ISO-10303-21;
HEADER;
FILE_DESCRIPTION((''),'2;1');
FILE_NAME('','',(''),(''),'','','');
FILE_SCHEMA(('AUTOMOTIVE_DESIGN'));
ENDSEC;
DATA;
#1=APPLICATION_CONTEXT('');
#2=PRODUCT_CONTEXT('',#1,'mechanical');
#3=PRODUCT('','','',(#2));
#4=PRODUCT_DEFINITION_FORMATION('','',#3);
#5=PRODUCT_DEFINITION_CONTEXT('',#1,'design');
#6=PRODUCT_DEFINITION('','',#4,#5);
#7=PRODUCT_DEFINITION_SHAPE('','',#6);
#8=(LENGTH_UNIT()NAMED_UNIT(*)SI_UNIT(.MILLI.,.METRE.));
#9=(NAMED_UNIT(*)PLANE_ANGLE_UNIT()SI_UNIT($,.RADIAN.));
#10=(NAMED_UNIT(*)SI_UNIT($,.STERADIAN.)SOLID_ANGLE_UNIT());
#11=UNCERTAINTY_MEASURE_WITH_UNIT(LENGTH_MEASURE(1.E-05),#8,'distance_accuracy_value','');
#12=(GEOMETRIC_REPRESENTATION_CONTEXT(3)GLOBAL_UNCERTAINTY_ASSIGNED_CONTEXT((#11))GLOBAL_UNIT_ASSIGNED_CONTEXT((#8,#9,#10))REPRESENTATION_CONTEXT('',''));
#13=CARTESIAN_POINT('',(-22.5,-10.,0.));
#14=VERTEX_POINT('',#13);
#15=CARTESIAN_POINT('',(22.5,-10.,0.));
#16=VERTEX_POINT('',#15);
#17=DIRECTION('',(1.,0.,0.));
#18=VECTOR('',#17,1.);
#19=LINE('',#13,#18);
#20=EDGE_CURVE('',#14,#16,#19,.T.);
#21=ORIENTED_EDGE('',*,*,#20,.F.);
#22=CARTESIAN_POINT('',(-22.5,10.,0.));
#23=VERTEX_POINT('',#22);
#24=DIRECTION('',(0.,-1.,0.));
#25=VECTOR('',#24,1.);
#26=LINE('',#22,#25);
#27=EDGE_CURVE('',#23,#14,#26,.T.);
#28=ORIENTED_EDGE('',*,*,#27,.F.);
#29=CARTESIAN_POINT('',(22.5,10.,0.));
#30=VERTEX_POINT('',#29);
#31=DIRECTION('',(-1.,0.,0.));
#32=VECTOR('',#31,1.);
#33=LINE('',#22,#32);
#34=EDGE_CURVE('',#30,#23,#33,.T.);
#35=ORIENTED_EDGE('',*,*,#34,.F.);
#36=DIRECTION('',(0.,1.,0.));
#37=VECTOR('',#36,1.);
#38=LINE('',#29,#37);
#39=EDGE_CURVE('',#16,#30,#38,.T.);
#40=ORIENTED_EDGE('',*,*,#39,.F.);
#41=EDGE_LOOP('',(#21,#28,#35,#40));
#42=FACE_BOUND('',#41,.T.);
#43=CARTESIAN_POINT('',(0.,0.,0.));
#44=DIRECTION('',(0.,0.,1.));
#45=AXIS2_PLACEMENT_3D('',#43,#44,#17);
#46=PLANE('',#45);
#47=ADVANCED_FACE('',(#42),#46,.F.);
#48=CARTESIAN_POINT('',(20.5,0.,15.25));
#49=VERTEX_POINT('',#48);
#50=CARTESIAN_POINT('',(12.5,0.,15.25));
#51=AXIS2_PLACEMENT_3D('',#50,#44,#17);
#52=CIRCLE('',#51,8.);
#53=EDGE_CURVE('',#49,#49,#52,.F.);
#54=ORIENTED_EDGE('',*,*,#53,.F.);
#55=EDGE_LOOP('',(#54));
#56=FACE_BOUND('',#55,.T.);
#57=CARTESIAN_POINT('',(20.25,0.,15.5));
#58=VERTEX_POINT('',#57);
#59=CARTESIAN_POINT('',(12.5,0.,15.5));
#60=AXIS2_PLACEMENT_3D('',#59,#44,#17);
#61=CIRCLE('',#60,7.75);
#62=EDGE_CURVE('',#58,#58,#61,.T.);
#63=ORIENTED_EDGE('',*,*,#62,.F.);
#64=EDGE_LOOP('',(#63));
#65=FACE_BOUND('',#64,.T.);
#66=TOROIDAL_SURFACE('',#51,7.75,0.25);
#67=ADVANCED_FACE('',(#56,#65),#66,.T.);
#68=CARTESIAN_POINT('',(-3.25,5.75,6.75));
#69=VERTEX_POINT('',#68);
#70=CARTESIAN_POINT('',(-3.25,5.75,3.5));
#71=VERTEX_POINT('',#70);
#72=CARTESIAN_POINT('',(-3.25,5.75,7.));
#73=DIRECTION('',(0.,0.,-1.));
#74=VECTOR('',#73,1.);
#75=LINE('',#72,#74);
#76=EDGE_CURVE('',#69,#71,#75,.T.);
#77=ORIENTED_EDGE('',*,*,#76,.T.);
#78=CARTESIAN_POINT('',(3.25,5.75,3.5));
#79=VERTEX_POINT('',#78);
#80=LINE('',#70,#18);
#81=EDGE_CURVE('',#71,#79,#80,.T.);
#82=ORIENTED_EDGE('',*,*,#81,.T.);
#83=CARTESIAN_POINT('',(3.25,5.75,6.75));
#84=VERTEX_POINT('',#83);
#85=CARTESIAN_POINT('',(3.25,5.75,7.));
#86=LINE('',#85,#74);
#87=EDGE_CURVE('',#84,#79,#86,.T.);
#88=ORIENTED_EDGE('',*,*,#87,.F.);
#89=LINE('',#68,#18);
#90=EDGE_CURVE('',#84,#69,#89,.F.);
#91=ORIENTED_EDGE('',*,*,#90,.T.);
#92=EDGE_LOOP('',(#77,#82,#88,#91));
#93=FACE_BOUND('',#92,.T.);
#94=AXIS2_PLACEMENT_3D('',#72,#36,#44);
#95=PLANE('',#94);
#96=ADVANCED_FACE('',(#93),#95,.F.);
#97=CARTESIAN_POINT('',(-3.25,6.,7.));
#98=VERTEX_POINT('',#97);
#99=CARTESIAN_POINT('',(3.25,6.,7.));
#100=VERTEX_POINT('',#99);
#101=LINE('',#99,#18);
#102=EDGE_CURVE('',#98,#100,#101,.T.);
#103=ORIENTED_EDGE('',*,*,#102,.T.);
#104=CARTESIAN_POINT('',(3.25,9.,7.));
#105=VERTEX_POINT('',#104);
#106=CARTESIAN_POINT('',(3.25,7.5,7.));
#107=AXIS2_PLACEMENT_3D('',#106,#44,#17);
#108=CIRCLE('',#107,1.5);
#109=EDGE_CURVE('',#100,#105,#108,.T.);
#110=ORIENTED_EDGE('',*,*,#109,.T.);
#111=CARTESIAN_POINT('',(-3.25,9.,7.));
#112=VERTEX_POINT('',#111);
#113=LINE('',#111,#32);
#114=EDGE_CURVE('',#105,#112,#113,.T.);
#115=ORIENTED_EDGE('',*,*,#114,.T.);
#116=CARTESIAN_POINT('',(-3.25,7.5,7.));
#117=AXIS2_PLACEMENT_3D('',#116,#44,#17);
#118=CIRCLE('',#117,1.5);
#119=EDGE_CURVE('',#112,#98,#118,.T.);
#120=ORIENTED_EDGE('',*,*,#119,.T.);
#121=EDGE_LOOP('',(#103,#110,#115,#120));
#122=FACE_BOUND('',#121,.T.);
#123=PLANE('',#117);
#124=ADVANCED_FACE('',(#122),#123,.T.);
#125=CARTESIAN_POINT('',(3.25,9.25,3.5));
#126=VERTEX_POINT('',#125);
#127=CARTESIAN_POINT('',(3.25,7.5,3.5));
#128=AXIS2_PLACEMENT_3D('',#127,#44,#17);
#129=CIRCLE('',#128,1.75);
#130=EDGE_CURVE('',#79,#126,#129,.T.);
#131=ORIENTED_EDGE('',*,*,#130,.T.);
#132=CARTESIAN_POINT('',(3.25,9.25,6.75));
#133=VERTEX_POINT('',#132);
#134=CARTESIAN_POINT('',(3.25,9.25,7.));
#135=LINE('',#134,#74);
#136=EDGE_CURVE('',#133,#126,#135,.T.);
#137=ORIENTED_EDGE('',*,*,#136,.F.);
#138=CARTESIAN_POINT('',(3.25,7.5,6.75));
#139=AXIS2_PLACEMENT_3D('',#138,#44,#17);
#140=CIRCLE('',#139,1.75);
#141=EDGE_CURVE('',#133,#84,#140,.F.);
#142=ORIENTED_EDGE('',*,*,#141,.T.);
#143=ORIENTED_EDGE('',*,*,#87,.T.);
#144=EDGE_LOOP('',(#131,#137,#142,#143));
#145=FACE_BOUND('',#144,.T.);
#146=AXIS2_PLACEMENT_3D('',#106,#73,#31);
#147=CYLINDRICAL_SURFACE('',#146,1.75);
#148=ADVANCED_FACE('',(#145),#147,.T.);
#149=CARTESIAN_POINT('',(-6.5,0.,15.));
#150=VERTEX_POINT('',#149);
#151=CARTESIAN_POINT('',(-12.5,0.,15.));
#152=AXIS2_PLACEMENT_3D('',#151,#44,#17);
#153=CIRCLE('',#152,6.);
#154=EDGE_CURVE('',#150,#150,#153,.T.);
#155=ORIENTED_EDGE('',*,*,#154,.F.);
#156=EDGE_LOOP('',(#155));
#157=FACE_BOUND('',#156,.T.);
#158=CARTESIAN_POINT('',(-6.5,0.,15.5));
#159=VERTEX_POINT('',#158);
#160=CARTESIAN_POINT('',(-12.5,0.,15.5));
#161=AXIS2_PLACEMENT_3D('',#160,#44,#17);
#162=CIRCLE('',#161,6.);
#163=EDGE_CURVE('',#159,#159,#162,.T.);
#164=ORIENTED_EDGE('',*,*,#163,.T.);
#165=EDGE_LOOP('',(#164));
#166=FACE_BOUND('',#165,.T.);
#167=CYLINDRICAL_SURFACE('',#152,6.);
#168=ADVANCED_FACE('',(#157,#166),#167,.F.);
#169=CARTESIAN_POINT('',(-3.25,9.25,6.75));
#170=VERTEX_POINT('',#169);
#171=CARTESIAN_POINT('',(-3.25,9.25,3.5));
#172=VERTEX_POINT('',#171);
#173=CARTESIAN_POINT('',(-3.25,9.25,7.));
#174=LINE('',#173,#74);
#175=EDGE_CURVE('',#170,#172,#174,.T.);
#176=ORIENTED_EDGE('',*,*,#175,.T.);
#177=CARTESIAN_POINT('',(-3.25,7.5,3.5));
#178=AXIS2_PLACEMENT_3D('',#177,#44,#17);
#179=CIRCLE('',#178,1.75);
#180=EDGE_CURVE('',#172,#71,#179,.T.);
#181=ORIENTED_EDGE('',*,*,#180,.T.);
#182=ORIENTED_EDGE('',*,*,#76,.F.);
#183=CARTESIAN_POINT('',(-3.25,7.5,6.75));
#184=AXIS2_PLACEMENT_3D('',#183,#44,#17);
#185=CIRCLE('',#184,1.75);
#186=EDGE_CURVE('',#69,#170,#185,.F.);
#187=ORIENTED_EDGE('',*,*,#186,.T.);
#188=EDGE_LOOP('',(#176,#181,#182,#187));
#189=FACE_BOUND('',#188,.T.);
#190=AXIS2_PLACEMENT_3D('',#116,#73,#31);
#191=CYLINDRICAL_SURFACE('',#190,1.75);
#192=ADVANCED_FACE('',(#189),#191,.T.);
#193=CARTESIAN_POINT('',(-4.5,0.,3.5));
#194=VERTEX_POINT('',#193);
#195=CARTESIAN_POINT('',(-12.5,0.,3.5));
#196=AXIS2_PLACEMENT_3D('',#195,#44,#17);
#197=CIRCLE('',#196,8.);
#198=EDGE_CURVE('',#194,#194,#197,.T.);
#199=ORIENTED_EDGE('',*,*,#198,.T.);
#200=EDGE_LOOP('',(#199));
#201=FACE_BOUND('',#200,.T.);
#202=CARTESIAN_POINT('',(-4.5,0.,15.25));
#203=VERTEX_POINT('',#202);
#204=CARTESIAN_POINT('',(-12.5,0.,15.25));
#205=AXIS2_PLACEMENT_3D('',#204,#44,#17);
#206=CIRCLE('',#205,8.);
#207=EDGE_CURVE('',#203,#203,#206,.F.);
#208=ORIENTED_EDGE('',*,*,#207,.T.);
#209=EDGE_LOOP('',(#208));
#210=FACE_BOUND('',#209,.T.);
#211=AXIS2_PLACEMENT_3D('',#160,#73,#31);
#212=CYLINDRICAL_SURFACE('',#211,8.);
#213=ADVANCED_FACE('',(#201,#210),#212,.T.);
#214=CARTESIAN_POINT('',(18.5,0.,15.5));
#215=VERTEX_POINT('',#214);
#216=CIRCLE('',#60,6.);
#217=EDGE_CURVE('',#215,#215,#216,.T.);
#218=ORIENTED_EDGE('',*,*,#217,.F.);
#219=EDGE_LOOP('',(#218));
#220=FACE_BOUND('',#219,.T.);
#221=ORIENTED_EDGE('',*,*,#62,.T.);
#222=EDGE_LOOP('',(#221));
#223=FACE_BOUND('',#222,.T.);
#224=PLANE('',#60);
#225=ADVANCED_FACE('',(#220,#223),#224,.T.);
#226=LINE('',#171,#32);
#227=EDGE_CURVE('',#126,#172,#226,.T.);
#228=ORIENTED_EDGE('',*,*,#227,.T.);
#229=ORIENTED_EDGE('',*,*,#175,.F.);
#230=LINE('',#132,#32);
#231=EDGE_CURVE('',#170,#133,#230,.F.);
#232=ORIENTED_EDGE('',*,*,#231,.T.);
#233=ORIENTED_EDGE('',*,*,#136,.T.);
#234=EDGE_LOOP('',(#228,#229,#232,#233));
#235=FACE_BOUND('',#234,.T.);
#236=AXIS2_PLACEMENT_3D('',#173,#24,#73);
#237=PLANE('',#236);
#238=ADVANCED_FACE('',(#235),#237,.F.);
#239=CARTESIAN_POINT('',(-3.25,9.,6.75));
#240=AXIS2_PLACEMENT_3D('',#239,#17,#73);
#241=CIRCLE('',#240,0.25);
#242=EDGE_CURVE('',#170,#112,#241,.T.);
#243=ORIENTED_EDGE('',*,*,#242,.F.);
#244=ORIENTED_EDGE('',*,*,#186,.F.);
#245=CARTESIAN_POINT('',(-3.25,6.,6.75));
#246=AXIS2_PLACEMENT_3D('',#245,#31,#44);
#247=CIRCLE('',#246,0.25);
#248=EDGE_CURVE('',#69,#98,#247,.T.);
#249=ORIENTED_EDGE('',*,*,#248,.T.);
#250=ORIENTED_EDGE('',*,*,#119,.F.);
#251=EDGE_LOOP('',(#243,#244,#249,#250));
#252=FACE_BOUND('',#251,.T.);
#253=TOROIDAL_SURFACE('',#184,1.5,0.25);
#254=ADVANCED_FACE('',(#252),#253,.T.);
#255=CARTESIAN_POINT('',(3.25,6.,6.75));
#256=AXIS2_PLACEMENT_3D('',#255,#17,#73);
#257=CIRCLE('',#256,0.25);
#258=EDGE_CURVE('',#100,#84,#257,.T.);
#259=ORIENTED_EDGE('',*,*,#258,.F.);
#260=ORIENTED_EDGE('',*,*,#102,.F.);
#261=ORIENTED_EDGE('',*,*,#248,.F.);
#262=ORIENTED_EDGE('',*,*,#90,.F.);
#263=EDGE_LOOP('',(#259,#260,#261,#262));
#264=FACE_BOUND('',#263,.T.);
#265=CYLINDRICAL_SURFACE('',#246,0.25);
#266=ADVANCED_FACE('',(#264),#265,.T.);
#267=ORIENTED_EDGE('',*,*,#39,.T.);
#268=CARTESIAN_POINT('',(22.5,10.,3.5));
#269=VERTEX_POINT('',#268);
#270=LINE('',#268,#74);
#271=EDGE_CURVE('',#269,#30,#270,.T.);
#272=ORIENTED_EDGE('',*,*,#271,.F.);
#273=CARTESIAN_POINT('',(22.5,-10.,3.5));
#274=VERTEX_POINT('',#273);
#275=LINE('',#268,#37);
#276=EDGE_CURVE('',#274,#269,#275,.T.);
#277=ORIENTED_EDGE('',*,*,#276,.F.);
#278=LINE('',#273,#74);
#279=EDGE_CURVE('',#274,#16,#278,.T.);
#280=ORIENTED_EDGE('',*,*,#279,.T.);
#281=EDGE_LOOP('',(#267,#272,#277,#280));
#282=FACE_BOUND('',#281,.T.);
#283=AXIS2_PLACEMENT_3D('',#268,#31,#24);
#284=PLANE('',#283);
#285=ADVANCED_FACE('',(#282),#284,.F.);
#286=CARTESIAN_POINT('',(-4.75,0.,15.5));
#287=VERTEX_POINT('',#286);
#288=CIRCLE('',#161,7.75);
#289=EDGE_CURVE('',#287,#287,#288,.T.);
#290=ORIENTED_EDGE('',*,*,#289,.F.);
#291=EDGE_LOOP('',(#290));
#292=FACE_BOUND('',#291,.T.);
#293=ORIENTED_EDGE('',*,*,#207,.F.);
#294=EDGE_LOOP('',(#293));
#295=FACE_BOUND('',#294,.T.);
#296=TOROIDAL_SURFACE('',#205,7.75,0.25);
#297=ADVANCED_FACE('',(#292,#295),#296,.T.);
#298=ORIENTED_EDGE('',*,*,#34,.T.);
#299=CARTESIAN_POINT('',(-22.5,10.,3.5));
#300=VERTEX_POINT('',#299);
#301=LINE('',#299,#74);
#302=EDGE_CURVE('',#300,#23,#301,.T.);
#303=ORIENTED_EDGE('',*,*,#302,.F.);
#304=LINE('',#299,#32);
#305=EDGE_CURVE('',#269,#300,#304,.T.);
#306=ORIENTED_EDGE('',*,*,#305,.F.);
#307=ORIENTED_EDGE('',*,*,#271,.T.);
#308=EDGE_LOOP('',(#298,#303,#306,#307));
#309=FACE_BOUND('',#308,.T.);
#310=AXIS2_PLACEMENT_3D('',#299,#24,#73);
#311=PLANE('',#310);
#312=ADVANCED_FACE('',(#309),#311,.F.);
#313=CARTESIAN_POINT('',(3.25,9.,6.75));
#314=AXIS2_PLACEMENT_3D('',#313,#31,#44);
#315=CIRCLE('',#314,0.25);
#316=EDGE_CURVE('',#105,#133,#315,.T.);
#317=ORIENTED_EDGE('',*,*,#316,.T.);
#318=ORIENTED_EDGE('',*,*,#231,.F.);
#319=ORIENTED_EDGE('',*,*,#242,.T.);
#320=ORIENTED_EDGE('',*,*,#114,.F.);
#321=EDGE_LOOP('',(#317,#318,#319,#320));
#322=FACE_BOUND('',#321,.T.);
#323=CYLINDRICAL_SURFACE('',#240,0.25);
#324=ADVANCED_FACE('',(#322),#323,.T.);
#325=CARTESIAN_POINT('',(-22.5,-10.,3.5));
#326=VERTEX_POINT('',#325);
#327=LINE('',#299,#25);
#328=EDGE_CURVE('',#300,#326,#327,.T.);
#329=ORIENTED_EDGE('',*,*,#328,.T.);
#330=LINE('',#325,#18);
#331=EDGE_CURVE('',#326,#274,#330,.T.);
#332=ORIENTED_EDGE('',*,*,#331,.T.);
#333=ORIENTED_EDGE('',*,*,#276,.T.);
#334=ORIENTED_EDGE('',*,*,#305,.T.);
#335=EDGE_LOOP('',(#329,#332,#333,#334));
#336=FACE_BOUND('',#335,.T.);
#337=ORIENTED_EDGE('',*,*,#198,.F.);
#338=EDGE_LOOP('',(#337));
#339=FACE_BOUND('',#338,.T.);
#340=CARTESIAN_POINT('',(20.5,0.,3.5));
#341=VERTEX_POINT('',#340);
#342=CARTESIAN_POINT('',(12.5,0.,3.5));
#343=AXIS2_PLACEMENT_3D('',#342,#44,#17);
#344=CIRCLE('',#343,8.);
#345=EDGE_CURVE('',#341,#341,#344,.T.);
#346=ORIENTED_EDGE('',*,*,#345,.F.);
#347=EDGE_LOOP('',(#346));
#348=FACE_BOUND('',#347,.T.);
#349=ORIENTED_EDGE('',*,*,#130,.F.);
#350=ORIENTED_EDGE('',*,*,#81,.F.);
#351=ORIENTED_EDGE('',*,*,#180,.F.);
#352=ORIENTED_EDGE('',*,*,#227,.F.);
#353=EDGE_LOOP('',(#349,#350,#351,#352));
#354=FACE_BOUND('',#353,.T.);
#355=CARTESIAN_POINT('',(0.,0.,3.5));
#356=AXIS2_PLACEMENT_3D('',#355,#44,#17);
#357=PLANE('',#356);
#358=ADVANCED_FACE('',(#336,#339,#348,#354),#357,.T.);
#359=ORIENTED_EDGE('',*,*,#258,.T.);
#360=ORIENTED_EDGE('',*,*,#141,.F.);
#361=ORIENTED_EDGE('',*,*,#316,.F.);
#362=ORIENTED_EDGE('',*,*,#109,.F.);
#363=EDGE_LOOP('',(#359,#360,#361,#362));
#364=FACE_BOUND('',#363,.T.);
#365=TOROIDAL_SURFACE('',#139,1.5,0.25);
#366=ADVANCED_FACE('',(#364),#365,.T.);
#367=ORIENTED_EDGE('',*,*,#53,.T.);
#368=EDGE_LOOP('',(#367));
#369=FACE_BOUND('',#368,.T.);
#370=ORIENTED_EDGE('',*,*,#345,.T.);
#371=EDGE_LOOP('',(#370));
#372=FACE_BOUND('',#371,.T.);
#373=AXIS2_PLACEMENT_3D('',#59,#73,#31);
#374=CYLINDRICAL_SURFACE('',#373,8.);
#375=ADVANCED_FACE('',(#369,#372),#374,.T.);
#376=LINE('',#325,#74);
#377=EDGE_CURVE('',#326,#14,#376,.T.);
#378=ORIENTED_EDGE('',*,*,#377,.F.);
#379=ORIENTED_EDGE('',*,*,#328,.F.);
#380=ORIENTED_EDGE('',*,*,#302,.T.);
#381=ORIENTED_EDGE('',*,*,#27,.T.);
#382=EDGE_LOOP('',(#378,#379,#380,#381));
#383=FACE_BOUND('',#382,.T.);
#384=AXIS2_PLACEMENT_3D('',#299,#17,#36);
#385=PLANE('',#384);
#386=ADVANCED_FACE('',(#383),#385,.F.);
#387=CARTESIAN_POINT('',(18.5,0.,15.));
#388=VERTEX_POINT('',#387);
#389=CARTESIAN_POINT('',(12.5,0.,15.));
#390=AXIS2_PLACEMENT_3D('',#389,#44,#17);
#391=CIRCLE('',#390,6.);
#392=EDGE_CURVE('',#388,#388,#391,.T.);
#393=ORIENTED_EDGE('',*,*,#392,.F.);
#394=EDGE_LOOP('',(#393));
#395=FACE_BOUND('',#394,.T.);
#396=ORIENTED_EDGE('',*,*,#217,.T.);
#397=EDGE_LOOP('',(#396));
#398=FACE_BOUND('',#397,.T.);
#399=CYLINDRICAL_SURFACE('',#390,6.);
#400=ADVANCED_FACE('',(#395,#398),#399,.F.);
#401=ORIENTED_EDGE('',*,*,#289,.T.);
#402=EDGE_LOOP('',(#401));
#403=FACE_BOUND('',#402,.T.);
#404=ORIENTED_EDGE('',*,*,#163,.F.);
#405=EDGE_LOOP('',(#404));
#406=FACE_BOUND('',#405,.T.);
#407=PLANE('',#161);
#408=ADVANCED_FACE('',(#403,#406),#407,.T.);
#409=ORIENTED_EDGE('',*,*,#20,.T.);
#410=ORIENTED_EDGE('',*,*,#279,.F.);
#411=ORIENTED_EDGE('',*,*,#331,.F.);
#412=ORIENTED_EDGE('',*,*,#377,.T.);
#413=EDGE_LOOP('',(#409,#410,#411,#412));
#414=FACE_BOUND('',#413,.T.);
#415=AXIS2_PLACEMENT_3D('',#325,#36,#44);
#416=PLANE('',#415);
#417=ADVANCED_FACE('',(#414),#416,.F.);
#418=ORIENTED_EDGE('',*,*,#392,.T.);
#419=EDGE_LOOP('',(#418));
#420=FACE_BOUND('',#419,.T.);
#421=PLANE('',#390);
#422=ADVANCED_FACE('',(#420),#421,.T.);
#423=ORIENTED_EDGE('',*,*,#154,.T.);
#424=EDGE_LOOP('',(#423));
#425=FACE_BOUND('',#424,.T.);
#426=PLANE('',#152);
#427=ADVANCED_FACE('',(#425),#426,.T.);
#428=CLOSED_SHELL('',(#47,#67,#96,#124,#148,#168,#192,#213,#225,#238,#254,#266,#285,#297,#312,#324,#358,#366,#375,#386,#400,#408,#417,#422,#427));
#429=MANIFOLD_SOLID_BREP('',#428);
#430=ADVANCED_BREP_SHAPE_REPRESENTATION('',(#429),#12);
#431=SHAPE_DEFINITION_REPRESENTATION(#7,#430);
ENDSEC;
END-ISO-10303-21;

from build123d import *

# Parameters (mm, degrees)
SKETCH1_W           = 45
SKETCH1_H           = 20
BOSS_EXTRUDE1_DEPTH = 3.5
SKETCH2_R           = 8
BOSS_EXTRUDE2_DEPTH = 12
SKETCH3_R           = 6
CUT_EXTRUDE1_DEPTH  = 0.5
FILLET1_R           = 0.25
BOSS_EXTRUDE3_DEPTH = 3.5
FILLET2_R           = 0.25


with BuildPart() as part:
    # Sketch1 → Boss-Extrude1 (new body)
    with BuildSketch(Plane.XY):
        Rectangle(SKETCH1_W, SKETCH1_H)
    extrude(amount=BOSS_EXTRUDE1_DEPTH)

    # Sketch2 → Boss-Extrude2 (add)
    with BuildSketch(Plane.XY.offset(3.5)):
        with Locations((12.5, 0)):
            Circle(SKETCH2_R)
        with Locations((-12.5, 0)):
            Circle(SKETCH2_R)
    extrude(amount=BOSS_EXTRUDE2_DEPTH)

    # Sketch3 → Cut-Extrude1 (cut)
    with BuildSketch(Plane.XY.offset(15.5)):
        with Locations((-12.5, 0)):
            Circle(SKETCH3_R)
        with Locations((12.5, 0)):
            Circle(SKETCH3_R)
    extrude(amount=-CUT_EXTRUDE1_DEPTH, mode=Mode.SUBTRACT)

    # Fillet1
    fillet1_edges = [part.edges().sort_by_distance(p)[0] for p in [
        (4.5, 0, 15.5),
        (-20.5, 0, 15.5),
    ]]
    fillet(fillet1_edges, radius=FILLET1_R)

    # Sketch4 → Boss-Extrude3 (add)
    with BuildSketch(Plane.XY.offset(3.5)):
        with BuildLine():
            Line((-3.25, 9.25), (3.25, 9.25))
            ThreePointArc((3.25, 9.25), (5, 7.5), (3.25, 5.75))
            Line((3.25, 5.75), (-3.25, 5.75))
            ThreePointArc((-3.25, 5.75), (-5, 7.5), (-3.25, 9.25))
        make_face()
    extrude(amount=BOSS_EXTRUDE3_DEPTH)

    # Fillet2
    fillet2_edges = [part.edges().sort_by_distance(p)[0] for p in [
        (-5, 7.5, 7),
        (0, 5.75, 7),
        (5, 7.5, 7),
        (0, 9.25, 7),
    ]]
    fillet(fillet2_edges, radius=FILLET2_R)


solid = part.part
